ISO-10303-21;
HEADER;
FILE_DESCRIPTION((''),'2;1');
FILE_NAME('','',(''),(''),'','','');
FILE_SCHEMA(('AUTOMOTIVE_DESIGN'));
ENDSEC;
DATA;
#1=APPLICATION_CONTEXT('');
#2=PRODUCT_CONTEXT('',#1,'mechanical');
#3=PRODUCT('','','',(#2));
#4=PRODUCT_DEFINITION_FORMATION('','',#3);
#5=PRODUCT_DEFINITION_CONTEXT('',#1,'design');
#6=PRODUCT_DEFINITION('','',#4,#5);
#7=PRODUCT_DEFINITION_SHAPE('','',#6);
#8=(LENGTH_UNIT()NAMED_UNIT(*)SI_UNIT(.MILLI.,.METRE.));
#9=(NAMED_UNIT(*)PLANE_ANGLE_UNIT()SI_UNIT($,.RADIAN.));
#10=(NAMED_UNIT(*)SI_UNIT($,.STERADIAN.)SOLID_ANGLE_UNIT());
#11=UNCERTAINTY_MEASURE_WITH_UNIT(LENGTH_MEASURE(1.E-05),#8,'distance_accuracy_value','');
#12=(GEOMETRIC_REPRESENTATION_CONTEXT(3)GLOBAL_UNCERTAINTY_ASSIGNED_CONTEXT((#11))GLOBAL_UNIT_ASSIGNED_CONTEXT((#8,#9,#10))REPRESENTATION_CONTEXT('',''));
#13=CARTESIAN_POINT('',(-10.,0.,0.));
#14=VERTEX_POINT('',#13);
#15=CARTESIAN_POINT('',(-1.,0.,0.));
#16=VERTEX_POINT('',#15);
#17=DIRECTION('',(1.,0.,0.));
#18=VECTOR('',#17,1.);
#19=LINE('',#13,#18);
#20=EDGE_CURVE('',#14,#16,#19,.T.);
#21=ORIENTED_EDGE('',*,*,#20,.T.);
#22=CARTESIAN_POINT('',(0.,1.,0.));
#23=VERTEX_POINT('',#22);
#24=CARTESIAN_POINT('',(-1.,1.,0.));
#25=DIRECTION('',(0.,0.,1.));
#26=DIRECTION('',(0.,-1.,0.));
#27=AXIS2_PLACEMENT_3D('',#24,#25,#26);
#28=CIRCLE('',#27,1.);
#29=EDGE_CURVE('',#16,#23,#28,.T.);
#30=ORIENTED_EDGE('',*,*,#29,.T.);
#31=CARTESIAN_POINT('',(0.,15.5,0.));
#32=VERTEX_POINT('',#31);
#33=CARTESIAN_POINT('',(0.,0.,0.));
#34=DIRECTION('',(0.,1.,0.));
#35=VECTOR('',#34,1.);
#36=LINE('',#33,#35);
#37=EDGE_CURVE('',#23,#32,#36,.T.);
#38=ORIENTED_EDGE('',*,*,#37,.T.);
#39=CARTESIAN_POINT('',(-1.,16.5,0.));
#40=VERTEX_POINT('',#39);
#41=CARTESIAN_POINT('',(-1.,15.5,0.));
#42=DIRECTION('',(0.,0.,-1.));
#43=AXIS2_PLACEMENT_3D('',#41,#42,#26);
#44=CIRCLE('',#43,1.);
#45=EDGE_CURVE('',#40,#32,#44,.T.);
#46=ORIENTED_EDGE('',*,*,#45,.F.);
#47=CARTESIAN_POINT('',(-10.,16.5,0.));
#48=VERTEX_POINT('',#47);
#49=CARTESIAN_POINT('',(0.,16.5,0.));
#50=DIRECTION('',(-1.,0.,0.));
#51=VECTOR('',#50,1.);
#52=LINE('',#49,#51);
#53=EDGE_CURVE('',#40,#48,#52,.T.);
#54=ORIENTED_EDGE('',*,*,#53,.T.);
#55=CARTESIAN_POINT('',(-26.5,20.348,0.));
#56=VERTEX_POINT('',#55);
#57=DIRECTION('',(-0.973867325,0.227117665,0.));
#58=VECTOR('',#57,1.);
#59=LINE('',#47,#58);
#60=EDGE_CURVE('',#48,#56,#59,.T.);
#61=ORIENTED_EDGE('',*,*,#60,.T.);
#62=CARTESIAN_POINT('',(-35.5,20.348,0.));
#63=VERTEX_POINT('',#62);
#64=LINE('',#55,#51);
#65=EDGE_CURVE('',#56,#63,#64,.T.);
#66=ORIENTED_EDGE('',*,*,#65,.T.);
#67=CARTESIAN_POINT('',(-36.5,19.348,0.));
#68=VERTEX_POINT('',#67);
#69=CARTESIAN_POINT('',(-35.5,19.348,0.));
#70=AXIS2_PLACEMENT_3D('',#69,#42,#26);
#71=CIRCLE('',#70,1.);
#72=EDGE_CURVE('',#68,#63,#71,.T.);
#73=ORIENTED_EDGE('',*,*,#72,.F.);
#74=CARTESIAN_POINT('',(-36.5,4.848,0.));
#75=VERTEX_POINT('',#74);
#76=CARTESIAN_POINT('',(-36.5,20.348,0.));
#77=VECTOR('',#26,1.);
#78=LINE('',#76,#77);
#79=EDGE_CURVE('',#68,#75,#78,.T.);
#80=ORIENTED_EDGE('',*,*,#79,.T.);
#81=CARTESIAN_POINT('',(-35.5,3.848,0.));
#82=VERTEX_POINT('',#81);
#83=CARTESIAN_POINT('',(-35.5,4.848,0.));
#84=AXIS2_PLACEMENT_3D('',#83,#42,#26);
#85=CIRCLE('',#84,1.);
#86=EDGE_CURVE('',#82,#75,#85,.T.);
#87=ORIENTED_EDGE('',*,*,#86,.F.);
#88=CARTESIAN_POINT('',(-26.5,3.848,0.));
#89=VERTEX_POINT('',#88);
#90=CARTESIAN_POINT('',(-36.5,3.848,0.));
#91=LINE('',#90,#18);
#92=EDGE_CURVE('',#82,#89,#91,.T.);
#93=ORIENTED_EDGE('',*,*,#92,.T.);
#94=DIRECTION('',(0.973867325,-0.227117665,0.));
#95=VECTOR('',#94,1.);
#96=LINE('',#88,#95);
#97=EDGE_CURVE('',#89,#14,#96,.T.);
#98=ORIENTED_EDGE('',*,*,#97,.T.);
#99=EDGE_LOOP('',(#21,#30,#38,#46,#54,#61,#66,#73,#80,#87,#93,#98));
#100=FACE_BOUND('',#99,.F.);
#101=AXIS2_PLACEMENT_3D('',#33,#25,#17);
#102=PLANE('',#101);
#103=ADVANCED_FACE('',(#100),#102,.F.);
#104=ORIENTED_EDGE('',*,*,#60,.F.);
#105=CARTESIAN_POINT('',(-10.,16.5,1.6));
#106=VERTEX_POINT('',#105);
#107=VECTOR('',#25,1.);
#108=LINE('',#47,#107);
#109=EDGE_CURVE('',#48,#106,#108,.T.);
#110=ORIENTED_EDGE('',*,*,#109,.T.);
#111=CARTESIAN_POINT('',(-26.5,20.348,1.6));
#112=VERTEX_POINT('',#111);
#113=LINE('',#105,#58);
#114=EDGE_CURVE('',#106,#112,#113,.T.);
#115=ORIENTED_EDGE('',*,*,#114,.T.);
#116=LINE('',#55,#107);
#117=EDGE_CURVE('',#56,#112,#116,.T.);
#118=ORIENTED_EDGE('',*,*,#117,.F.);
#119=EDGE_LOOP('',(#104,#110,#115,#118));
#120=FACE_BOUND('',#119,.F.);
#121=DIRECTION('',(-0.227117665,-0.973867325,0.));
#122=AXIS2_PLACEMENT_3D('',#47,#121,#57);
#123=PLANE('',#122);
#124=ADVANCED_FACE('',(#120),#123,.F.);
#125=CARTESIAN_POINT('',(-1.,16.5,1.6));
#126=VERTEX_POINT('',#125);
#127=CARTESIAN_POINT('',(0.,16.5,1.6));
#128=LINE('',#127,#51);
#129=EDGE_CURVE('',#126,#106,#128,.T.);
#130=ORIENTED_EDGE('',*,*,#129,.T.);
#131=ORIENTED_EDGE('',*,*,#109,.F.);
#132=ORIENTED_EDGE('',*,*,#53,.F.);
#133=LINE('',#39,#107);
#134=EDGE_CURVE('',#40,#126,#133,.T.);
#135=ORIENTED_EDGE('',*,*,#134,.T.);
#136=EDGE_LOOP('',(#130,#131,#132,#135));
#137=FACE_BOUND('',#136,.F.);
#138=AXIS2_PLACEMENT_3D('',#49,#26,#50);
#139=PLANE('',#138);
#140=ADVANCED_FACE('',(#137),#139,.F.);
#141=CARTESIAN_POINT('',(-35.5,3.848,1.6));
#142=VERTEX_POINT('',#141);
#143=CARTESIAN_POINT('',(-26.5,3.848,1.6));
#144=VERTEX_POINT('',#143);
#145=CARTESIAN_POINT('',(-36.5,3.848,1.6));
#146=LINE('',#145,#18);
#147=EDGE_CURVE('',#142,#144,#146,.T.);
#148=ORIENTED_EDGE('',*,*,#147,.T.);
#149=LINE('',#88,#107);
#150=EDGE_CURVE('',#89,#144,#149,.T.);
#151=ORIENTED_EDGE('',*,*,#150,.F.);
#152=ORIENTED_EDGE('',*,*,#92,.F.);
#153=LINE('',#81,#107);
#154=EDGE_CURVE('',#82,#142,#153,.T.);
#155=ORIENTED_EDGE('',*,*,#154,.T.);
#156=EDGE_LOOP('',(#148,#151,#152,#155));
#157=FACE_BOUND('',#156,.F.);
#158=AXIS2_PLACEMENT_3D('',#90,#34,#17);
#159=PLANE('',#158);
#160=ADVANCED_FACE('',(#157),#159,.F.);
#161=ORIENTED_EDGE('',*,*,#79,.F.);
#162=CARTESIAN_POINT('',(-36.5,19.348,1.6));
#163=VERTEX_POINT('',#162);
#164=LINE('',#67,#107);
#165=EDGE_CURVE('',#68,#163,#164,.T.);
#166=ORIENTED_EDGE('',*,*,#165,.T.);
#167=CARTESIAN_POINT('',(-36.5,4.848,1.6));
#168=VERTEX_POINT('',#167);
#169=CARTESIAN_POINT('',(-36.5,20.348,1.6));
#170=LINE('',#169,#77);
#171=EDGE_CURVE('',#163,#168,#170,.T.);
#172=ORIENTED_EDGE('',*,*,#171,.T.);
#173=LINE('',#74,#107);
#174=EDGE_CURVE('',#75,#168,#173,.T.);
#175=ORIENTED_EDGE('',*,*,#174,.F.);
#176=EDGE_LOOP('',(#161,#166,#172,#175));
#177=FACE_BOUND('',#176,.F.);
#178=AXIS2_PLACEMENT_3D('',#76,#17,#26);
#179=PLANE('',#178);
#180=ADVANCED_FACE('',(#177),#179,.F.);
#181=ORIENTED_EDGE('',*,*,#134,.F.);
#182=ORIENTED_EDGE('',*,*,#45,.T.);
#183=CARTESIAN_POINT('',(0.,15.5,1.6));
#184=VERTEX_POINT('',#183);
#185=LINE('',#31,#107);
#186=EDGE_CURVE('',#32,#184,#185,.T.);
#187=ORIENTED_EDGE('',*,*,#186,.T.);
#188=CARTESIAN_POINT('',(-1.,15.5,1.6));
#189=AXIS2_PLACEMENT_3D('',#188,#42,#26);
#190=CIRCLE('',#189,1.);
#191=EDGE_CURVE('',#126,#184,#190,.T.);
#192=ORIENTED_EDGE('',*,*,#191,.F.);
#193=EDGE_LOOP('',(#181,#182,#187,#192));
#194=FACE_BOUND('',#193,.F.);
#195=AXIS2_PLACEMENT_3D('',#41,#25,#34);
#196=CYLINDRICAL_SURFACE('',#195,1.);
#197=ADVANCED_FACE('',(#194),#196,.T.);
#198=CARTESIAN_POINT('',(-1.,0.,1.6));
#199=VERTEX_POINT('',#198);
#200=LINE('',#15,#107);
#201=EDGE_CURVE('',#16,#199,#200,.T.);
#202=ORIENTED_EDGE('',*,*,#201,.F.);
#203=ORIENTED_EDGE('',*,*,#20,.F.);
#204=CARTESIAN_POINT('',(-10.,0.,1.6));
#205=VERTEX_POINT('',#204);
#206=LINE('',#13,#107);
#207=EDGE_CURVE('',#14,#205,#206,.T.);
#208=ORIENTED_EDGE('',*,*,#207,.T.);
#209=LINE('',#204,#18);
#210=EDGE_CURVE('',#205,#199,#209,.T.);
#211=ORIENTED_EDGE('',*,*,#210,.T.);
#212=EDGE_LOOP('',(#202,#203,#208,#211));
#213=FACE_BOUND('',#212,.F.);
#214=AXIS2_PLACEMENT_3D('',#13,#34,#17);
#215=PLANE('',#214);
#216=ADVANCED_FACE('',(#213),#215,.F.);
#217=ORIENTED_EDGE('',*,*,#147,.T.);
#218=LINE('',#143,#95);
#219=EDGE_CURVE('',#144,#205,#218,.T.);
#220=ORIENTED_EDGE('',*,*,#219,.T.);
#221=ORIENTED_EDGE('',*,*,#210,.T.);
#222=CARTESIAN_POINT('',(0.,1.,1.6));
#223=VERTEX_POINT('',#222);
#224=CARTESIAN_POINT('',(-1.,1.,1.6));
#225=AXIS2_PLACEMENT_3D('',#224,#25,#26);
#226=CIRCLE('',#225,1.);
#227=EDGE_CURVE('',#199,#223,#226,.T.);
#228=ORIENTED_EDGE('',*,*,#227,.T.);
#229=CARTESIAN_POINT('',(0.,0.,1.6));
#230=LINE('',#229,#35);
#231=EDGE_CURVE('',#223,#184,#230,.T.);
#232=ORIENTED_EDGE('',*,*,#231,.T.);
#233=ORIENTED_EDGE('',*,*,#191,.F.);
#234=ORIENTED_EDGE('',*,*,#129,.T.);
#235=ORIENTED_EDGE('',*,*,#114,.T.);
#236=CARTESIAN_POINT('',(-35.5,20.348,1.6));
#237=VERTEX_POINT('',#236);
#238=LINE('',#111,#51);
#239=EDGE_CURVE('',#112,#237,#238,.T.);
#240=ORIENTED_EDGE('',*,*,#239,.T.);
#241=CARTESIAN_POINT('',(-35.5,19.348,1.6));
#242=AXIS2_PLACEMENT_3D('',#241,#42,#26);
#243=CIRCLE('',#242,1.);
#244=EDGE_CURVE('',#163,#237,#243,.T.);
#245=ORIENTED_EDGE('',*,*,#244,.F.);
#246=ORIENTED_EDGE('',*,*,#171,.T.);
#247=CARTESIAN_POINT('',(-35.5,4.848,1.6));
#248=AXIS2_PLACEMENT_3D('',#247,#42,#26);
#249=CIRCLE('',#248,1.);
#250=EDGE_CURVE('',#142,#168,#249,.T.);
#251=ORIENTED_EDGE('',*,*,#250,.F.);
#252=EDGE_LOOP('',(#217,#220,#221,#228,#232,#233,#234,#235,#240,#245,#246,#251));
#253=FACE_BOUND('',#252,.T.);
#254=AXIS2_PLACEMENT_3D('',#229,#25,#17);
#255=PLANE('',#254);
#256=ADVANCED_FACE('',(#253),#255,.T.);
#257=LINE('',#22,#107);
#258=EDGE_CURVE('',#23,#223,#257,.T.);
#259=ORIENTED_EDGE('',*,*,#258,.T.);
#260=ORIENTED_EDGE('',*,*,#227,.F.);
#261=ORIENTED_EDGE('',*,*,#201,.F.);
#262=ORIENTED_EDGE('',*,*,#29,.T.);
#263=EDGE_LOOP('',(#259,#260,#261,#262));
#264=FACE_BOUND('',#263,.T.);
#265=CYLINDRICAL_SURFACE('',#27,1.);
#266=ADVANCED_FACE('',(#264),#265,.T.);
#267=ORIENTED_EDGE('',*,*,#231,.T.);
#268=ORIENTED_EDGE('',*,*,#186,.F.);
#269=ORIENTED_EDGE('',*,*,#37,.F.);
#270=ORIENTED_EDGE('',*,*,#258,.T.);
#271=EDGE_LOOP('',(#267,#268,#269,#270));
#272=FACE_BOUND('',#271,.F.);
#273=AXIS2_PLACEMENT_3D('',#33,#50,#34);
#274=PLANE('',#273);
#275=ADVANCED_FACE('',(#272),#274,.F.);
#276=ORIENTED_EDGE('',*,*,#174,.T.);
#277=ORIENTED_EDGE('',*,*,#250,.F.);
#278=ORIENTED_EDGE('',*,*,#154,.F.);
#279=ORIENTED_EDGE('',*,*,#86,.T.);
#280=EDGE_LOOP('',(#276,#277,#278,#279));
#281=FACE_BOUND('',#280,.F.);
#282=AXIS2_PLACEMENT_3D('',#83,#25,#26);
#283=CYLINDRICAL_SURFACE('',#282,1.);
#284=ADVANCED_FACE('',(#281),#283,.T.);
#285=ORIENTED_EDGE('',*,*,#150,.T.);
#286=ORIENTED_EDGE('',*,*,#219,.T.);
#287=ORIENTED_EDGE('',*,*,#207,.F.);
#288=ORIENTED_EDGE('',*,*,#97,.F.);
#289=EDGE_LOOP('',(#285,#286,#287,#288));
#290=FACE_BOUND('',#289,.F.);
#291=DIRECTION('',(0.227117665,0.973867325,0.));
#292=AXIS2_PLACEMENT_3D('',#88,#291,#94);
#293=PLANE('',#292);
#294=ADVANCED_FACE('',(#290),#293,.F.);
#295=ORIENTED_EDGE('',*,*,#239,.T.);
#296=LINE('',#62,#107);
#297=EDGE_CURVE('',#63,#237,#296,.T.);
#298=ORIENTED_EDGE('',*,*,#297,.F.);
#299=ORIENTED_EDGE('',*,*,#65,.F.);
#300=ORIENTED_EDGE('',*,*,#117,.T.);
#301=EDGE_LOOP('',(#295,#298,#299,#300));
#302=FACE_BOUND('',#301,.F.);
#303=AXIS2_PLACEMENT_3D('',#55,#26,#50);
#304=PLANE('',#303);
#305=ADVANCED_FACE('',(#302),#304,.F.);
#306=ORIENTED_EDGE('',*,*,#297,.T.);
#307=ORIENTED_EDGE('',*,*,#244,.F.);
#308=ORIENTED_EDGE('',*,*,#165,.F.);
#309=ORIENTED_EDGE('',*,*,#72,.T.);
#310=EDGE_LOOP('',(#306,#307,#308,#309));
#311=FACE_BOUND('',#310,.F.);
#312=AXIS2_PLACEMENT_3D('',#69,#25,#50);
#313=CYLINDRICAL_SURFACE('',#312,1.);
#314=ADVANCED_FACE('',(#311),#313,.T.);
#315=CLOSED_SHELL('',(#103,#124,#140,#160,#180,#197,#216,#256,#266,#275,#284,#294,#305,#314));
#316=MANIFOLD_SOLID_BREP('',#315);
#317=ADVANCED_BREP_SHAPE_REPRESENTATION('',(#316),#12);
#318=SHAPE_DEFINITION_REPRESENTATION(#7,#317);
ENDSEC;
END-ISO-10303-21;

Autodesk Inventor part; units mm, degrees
ref_plane "YZ Plane" through (0, 0, 0) normal (1, 0, 0) x (0, 1, 0)
ref_plane "XZ Plane" through (0, 0, 0) normal (0, 1, 0) x (-1, 0, 0)
ref_plane "XY Plane" through (0, 0, 0) normal (0, 0, 1) x (1, 0, 0)
sketch "Sketch1" plane through (0, 0, 0) normal (0, 0, 1) x (1, 0, 0)
  line L0 (0, 0) -> (0, 16.5)
  line L1 (0, 16.5) -> (-10, 16.5)
  line L2 (-10, 16.5) -> (-26.5, 20.348)
  line L3 (-26.5, 20.348) -> (-36.5, 20.348)
  line L4 (-36.5, 20.348) -> (-36.5, 3.848)
  line L5 (-36.5, 3.848) -> (-26.5, 3.848)
  line L6 (-26.5, 3.848) -> (-10, 0)
  line L7 (-10, 0) -> (0, 0)
  dimension "d0" = 10
  dimension "d1" = 10
  dimension "d2" = 10
  dimension "d3" = 10
  dimension "d4" = 3.848
  dimension "d5" = 36.5
  dimension "d6" = 16.5
extrude "Extrusion1" add sketch "Sketch1" along normal blind 1.6
sketch "Sketch2" plane through (0, 0, 1.6) normal (0, 0, 1) x (1, 0, 0)
  line L0 (-7.4638, 8.25) -> (0, 8.25)
  line L1 (0, 0) -> (0, 16.5) projected
  line L2 (-36.5, 20.348) -> (-36.5, 3.848) projected
  line L3 (-36.5, 12.098) -> (-30.2249, 12.098)
  line L4 (-26.5, 20.348) -> (-36.5, 20.348) projected
  line L5 (-31.9735, 20.348) -> (-31.9735, 3.848)
  line L6 (-4.5265, 16.5) -> (-4.5265, 0)
  line L7 (-10, 0) -> (0, 0) projected
  line L8 (0, 16.5) -> (-10, 16.5) projected
  dimension "d9" = 16.5
  dimension "d12" = 27.447
  dimension "d13" = 36.5
  dimension "d14" = 4.5265
fillet "Fillet1" radius 1 4 edges at (-36.5, 20.348, 0.8) (-36.5, 3.848, 0.8) (0, 0, 0.8) (0, 16.5, 0.8)
sketch "OUTLINE" plane through (0, 0, 1.6) normal (0, 0, 1) x (1, 0, 0)
  arc A0 (0, 15.5) -> (-1, 16.5) centre (-1, 15.5) ccw projected
  line L0 (-1, 16.5) -> (-10, 16.5) projected
  line L1 (-10, 16.5) -> (-26.5, 20.348) projected
  line L2 (-26.5, 20.348) -> (-35.5, 20.348) projected
  arc A1 (-35.5, 20.348) -> (-36.5, 19.348) centre (-35.5, 19.348) ccw projected
  line L3 (-36.5, 19.348) -> (-36.5, 4.848) projected
  arc A2 (-36.5, 4.848) -> (-35.5, 3.848) centre (-35.5, 4.848) ccw projected
  line L4 (-35.5, 3.848) -> (-26.5, 3.848) projected
  line L5 (-26.5, 3.848) -> (-10, 0) projected
  line L6 (-10, 0) -> (-1, 0) projected
  arc A3 (-1, 0) -> (0, 1) centre (-1, 1) ccw projected
  line L7 (0, 1) -> (0, 15.5) projected
  point P0 (0, 0)
sketch "EXTRA" plane through (0, 0, 1.6) normal (0, 0, 1) x (1, 0, 0)
  circle A0 centre (-3.0265, 2.25) radius 0.49 projected
  circle A1 centre (-6.0265, 14.25) radius 0.49 projected
  circle A2 centre (-30.4735, 6.098) radius 0.5193 projected
  circle A3 centre (-33.4735, 18.098) radius 0.5193 projected
  circle A4 centre (-6.0265, 2.25) radius 0.49
  circle A5 centre (-3.0265, 14.25) radius 0.49
  circle A6 centre (-30.4735, 18.098) radius 0.49
  circle A7 centre (-33.4735, 6.098) radius 0.49
  point P0 (0, 0)
equation "\"d1\" = d0"
equation "\"d2\" = d1"
equation "\"d3\" = d0"
equation "\"d14\" = -0.5 * d12 + 0.5 * d13"
properties part number "DB2_Bridge"
